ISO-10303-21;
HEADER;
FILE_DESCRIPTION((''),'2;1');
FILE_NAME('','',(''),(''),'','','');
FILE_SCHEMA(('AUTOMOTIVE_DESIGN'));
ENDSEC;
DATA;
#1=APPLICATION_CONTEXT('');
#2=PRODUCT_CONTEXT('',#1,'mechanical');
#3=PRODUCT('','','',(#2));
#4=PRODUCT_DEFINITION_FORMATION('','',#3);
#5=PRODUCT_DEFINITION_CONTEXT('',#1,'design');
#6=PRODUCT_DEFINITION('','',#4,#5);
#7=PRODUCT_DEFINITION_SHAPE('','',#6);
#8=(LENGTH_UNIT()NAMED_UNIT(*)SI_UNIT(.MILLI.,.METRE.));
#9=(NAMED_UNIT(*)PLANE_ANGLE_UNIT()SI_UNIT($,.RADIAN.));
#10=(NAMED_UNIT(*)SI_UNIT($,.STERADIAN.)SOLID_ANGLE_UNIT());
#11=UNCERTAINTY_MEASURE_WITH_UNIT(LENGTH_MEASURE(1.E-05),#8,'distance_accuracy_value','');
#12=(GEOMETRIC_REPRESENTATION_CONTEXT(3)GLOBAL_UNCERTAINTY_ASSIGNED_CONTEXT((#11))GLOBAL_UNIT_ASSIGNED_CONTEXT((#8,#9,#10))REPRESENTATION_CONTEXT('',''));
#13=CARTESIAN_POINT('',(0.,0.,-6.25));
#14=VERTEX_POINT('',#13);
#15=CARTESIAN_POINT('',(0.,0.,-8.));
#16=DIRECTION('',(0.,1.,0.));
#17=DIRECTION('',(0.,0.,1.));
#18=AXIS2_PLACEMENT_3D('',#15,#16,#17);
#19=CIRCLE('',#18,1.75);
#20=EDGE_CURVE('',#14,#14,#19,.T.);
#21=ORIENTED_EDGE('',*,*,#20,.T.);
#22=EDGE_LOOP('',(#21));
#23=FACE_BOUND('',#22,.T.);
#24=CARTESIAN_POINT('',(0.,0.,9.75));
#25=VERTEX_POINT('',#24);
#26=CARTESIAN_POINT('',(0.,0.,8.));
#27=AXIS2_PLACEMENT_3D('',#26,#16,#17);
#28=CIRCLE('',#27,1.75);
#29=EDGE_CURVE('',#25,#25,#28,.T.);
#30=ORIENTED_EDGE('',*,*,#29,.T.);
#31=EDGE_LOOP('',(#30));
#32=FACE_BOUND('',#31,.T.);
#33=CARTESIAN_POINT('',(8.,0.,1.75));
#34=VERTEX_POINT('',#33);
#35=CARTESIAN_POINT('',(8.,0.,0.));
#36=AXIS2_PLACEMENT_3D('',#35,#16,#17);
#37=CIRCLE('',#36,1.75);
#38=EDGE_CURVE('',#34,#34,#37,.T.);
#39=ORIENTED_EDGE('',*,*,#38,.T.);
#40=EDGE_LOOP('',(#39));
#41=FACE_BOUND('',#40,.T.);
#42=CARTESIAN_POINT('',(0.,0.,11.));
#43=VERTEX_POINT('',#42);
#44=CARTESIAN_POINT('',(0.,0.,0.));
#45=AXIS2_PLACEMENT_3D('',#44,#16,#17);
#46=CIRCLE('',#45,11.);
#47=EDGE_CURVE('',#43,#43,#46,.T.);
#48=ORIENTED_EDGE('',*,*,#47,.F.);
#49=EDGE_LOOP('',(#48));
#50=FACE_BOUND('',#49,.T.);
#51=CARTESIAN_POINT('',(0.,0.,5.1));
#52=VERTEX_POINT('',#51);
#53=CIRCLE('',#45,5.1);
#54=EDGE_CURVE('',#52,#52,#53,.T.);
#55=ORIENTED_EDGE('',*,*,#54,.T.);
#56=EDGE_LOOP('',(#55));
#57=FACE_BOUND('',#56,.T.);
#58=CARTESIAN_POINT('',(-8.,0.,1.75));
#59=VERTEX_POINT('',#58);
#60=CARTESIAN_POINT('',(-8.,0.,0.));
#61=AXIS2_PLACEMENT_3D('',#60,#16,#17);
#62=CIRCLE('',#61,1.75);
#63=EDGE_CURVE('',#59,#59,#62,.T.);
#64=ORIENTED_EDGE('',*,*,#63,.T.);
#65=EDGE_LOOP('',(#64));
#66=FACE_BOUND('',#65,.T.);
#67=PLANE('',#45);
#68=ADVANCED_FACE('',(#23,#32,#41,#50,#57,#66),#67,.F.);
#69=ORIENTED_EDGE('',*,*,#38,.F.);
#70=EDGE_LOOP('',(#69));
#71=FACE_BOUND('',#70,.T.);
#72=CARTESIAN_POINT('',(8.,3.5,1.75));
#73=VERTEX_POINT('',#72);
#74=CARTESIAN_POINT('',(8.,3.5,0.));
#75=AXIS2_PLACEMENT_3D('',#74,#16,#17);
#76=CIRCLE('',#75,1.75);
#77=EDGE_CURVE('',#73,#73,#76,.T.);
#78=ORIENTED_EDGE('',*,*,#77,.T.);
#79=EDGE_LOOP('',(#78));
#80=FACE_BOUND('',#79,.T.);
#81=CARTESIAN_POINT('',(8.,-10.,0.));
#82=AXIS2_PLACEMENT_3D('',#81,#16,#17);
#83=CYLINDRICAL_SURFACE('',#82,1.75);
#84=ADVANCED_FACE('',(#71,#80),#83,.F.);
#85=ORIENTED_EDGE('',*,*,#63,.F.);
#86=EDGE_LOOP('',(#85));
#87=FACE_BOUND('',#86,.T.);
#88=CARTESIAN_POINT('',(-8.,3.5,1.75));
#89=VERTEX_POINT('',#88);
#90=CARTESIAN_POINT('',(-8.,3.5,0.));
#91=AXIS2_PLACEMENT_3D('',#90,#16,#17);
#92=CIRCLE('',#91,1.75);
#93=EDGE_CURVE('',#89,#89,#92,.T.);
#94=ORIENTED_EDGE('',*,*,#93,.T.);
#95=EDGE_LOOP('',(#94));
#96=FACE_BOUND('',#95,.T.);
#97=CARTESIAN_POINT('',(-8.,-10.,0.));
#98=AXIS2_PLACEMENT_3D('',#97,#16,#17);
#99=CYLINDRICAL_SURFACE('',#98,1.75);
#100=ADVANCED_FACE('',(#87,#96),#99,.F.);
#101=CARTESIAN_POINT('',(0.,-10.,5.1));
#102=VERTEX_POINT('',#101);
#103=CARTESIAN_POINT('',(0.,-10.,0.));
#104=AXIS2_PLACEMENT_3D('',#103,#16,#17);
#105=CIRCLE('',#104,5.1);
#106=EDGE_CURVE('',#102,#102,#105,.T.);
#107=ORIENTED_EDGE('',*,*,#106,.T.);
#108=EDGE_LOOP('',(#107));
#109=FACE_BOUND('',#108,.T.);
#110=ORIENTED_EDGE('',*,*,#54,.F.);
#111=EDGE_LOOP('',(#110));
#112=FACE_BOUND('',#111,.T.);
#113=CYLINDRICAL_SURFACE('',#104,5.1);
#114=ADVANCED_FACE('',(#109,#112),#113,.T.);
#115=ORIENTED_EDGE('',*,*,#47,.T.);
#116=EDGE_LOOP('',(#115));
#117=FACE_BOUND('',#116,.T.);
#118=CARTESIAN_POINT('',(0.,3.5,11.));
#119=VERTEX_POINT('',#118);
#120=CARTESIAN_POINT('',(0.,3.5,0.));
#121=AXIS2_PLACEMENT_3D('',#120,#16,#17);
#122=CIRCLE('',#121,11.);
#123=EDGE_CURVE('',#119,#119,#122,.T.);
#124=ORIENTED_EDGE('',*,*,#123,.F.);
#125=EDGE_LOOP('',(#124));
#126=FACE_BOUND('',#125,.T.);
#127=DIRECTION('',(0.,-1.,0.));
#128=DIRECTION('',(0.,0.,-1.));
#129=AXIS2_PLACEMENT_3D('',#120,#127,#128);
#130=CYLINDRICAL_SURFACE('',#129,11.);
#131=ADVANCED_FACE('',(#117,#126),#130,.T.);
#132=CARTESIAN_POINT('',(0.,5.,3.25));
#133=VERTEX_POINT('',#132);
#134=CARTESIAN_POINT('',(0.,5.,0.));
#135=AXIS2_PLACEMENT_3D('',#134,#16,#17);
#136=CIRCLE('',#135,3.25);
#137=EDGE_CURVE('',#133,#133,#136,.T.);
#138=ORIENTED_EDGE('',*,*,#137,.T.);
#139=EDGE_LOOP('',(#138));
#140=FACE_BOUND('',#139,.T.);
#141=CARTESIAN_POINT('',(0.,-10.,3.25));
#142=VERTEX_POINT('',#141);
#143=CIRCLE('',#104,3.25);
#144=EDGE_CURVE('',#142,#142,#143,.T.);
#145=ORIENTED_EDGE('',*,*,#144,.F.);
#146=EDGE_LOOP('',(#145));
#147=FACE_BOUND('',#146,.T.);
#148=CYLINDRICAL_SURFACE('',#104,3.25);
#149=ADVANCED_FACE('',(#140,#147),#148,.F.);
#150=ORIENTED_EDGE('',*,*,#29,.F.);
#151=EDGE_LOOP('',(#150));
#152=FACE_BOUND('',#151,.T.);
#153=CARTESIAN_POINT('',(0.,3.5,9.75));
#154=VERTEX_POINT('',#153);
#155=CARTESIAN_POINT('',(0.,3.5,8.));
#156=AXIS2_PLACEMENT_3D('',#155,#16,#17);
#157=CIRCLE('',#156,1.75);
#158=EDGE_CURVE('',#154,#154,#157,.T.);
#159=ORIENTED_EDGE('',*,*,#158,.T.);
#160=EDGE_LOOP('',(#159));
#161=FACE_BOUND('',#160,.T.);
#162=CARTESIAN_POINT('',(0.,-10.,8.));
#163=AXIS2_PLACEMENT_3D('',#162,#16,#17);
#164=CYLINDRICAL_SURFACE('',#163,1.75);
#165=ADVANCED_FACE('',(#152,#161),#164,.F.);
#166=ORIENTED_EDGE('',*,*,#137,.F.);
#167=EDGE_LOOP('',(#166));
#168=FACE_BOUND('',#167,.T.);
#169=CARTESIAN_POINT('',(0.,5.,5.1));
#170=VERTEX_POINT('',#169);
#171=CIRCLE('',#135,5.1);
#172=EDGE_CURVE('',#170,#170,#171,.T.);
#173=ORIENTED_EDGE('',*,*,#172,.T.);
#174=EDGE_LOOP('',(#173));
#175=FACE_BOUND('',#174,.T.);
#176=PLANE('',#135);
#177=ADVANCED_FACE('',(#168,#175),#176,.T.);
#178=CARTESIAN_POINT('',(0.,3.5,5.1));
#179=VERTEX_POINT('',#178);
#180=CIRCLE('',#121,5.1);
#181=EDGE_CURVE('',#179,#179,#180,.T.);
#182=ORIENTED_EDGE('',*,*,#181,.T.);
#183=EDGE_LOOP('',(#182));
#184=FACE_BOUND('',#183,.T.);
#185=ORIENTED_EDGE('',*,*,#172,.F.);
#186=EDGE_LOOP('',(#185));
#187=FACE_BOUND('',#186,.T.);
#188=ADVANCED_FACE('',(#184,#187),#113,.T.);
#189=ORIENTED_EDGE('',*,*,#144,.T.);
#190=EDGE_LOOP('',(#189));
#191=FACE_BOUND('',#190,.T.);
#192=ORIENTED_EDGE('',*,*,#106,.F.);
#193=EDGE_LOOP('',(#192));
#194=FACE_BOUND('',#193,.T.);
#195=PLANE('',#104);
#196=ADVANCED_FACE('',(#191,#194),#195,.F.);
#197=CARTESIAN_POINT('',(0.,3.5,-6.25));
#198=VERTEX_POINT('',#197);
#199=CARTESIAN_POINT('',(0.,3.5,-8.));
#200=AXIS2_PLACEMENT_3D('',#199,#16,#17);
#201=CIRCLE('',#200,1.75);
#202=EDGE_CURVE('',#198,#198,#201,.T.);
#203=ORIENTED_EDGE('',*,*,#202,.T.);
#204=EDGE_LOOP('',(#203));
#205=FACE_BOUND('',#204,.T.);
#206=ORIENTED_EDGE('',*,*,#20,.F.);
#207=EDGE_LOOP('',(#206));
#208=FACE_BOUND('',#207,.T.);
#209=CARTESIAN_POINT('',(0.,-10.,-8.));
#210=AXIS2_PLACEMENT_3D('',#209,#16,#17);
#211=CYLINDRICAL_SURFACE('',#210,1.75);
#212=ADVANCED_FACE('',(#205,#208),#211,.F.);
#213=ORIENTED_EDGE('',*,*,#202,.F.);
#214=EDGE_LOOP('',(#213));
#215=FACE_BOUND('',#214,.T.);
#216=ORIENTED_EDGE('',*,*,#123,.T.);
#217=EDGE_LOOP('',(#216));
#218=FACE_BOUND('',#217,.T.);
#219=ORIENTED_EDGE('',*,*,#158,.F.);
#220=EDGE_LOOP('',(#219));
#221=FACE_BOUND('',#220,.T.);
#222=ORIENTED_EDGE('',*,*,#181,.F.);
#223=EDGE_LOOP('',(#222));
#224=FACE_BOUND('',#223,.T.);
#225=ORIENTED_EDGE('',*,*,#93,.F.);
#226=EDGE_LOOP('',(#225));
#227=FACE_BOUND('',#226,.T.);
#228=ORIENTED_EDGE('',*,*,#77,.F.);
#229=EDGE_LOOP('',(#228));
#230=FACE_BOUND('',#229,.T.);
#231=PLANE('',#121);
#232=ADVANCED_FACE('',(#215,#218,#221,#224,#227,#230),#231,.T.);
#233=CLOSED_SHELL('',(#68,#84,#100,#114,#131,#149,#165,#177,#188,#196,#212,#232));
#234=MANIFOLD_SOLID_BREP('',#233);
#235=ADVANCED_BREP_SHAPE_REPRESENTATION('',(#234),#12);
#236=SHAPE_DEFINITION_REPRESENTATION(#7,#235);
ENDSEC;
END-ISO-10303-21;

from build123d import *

# Parameters (mm, degrees)
SKETCH1_R                = 11
BOSS_EXTRUDE1_DEPTH      = 3.5
BOSS_EXTRUDE2_DEPTH      = 1.5
BOSS_EXTRUDE2_DEPTH_BACK = 13.5
SKETCH2_R                = 5.1
SKETCH3_R                = 3.25
CUT_EXTRUDE1_DEPTH       = 22.610182785
SKETCH4_R                = 1.75
CUT_EXTRUDE2_DEPTH       = 21.597329924


with BuildPart() as part:
    # Sketch1 → Boss-Extrude1 (new body)
    with BuildSketch(Plane(origin=(0, 0, 0), x_dir=(1, 0, 0), z_dir=(0, 1, 0))):
        with Locations(Location((0, 0, 0), (0, 0, 270))):
            Circle(SKETCH1_R)
    extrude(amount=BOSS_EXTRUDE1_DEPTH)

    # Sketch2 → Boss-Extrude2 (add, two sides: drawn at the far end of the back side and taken through both)
    with BuildSketch(Plane(origin=(0, 3.5, 0), x_dir=(1, 0, 0), z_dir=(0, 1, 0)).offset(-BOSS_EXTRUDE2_DEPTH_BACK)):
        with Locations(Location((0, 0, 0), (0, 0, 270))):
            Circle(SKETCH2_R)
    extrude(amount=BOSS_EXTRUDE2_DEPTH + BOSS_EXTRUDE2_DEPTH_BACK)

    # Sketch3 → Cut-Extrude1 (cut, through all)
    with BuildSketch(Plane(origin=(0, 5, 0), x_dir=(1, 0, 0), z_dir=(0, 1, 0))):
        with Locations(Location((0, 0, 0), (0, 0, 270))):
            Circle(SKETCH3_R)
    extrude(amount=-CUT_EXTRUDE1_DEPTH, mode=Mode.SUBTRACT)

    # Sketch4 → Cut-Extrude2 (cut, through all)
    with BuildSketch(Plane(origin=(0, 3.5, 0), x_dir=(1, 0, 0), z_dir=(0, 1, 0))):
        with Locations(Location((-8, 0, 0), (0, 0, 270))):
            Circle(SKETCH4_R)
        with Locations(Location((0, 8, 0), (0, 0, 270))):
            Circle(SKETCH4_R)
        with Locations(Location((8, 0, 0), (0, 0, 270))):
            Circle(SKETCH4_R)
        with Locations(Location((0, -8, 0), (0, 0, 270))):
            Circle(SKETCH4_R)
    extrude(amount=-CUT_EXTRUDE2_DEPTH, mode=Mode.SUBTRACT)


solid = part.part
